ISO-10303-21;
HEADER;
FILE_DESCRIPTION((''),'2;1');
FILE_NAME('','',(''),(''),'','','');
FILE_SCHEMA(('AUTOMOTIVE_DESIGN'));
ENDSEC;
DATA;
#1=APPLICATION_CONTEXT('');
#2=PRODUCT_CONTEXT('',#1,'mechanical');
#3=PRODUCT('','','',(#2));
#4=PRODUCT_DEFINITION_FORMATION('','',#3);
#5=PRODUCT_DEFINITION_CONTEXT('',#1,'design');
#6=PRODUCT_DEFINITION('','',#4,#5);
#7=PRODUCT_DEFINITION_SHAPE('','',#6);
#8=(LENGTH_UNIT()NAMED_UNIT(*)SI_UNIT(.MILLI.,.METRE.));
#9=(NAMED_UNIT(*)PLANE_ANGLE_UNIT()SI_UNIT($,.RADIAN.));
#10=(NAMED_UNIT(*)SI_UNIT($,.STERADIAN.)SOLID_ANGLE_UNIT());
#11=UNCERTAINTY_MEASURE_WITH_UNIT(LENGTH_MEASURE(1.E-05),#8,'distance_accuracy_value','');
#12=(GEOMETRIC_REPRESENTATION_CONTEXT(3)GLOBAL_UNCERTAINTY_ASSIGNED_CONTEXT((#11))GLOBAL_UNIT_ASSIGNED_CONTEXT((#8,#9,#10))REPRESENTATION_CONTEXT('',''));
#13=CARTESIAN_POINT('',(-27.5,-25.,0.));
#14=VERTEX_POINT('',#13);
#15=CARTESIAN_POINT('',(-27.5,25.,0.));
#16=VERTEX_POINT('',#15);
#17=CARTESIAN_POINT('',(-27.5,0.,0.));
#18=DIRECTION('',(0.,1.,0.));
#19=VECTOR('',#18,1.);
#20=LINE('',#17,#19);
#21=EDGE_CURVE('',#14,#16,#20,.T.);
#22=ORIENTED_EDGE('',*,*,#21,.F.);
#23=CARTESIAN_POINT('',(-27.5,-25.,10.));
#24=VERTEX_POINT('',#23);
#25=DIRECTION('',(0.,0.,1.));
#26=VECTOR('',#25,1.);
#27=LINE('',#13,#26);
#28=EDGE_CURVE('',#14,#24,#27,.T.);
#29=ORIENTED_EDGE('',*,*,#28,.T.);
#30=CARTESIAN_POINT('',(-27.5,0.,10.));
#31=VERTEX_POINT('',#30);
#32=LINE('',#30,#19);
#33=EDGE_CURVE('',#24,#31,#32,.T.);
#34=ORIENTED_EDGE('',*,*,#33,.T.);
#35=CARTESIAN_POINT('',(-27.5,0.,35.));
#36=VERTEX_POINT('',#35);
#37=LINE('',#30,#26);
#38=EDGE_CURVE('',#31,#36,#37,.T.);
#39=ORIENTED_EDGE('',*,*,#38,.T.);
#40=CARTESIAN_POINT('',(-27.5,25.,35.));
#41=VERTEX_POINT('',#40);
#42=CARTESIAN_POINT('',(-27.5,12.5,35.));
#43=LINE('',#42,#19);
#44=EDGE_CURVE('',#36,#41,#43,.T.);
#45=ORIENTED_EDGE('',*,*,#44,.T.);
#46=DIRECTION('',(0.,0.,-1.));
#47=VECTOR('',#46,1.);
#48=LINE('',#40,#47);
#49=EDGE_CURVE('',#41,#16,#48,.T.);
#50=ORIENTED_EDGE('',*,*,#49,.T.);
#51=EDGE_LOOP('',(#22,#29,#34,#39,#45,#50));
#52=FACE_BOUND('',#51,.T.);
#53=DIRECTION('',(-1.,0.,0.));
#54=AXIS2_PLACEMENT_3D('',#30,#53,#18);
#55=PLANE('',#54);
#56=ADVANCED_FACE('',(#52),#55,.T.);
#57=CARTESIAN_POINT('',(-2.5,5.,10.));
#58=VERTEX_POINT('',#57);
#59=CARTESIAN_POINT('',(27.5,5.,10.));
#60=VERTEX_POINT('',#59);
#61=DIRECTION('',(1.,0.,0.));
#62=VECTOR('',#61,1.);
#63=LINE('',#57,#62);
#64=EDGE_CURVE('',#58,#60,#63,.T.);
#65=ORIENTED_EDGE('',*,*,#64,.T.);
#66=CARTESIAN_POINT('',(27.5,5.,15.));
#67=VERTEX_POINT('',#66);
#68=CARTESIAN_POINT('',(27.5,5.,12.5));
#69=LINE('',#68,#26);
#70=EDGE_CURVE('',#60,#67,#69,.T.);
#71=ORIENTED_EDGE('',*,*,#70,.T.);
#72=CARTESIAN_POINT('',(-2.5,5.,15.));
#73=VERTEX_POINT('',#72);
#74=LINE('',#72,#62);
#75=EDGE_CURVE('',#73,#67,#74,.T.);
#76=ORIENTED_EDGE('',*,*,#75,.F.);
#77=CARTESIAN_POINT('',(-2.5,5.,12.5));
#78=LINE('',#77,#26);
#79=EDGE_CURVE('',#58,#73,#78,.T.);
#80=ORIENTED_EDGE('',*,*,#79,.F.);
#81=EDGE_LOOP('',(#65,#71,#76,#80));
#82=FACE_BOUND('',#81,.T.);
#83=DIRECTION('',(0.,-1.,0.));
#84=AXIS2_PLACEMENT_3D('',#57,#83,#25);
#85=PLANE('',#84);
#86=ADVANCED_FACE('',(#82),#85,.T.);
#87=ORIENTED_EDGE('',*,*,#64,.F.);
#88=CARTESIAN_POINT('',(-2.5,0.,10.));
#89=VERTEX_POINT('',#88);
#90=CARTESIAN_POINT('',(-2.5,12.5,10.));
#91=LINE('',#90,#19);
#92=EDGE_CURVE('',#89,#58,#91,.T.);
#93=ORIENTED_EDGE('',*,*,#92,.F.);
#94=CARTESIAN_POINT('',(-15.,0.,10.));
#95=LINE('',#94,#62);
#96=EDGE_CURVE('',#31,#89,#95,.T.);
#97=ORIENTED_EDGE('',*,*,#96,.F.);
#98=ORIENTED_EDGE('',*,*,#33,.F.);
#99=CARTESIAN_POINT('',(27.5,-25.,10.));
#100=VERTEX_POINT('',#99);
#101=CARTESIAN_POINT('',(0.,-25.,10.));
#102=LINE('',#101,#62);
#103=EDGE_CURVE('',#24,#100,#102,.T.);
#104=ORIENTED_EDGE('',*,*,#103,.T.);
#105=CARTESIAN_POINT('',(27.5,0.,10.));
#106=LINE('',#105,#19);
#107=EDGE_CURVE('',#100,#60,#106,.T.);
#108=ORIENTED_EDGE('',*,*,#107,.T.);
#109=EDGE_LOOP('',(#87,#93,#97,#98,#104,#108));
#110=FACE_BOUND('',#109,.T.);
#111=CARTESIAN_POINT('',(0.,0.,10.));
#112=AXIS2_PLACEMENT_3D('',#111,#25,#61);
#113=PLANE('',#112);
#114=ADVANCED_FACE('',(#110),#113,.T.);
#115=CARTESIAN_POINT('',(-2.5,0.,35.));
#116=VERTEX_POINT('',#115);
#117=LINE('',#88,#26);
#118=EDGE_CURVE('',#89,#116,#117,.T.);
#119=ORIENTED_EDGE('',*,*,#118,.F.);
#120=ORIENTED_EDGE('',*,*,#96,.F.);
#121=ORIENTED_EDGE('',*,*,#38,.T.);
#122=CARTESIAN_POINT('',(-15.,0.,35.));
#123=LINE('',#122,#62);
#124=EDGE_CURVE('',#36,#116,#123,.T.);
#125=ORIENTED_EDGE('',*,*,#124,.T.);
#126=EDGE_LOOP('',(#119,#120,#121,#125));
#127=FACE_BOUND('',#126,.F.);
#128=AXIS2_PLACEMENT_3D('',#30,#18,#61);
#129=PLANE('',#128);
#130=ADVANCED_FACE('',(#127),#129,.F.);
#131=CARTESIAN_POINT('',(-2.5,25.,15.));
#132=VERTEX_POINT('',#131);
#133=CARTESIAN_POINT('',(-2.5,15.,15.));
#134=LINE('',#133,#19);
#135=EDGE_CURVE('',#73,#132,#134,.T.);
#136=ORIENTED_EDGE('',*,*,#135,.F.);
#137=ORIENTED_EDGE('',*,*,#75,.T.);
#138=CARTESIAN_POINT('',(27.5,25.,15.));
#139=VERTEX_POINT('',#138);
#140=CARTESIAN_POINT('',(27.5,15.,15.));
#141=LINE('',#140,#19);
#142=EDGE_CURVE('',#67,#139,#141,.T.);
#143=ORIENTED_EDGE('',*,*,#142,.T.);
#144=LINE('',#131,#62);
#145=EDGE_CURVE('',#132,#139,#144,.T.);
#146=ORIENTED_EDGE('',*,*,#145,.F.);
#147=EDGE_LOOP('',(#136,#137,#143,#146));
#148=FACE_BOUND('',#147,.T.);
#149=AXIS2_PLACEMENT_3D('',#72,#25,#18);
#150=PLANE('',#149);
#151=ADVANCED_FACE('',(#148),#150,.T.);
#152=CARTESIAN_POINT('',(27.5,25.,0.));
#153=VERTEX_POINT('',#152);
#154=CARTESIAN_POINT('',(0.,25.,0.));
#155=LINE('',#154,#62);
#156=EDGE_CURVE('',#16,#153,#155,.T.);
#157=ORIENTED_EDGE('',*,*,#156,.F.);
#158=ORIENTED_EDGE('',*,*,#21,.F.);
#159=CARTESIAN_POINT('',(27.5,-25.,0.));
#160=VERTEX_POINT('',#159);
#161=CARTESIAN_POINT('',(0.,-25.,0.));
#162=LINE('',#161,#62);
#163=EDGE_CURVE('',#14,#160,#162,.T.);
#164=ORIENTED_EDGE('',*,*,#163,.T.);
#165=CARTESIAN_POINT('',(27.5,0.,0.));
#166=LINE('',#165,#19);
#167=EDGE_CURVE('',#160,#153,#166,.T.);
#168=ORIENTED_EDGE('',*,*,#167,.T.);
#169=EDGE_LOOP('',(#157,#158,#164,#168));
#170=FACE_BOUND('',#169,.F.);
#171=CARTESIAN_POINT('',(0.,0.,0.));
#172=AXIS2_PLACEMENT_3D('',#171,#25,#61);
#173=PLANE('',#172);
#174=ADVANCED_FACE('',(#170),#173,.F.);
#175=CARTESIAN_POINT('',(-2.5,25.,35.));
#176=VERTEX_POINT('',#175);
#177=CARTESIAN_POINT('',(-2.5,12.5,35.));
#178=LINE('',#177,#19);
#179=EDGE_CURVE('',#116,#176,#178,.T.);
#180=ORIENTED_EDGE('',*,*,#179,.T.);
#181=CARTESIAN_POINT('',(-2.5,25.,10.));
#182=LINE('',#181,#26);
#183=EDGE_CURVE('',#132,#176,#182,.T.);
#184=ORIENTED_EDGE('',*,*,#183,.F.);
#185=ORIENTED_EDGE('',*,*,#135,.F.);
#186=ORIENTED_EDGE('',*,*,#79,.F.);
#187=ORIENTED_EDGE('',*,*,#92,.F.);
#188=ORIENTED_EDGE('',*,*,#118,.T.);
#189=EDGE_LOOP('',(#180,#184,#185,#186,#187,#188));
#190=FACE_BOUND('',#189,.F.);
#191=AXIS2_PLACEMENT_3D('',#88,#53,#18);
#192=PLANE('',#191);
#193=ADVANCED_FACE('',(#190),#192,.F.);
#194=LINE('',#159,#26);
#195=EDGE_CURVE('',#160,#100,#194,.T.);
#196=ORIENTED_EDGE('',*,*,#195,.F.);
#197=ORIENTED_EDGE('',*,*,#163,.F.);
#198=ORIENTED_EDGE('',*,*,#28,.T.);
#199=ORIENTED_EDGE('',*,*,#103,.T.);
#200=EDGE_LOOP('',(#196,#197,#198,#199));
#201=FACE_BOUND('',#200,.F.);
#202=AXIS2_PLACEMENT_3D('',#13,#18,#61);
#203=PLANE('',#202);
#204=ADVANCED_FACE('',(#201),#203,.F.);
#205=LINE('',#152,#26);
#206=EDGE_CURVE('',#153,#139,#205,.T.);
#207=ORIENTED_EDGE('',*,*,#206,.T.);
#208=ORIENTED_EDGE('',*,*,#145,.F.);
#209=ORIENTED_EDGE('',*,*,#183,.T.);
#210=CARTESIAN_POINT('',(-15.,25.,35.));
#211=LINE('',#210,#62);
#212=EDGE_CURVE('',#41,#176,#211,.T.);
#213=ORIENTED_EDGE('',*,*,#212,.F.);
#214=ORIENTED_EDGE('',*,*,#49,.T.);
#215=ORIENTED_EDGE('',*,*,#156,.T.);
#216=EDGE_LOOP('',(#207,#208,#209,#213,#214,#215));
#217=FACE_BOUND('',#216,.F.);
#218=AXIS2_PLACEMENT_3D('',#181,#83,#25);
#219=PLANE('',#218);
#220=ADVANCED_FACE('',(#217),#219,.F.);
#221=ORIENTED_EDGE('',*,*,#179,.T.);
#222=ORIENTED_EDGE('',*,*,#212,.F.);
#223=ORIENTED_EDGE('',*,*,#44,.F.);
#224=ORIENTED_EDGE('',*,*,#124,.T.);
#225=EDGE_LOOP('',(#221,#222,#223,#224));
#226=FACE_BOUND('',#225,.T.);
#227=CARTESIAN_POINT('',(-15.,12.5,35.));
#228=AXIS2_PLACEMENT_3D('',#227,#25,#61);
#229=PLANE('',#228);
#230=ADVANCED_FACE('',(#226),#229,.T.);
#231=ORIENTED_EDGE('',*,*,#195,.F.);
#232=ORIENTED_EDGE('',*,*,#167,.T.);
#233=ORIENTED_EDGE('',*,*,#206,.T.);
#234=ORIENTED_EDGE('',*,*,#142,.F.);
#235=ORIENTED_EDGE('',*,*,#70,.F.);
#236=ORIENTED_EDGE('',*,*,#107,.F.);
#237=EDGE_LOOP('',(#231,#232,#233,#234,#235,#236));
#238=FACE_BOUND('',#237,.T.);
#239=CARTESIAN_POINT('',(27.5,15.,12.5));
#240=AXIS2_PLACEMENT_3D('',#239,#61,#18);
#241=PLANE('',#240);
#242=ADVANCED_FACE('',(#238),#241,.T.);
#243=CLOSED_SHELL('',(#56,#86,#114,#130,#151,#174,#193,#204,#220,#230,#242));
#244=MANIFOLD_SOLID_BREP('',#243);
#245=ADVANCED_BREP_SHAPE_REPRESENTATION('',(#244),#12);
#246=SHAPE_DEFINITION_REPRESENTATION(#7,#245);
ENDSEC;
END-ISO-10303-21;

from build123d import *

# Parameters (mm, degrees)
F0_W     = 55
F0_H     = 50
F1_DEPTH = 10
F2_W     = 25
F2_H     = 25
F3_DEPTH = 25
F4_W     = 20
F4_H     = 5
F5_DEPTH = 30


with BuildPart() as f1:
    # F0 (on Top) → F1 (new body)
    with BuildSketch(Plane.XY):
        Rectangle(F0_W, F0_H)
    extrude(amount=F1_DEPTH)

    # F2 (on face) → F3 (join)
    with BuildSketch(Plane.XY.offset(10)):
        with Locations((-15, 12.5)):
            Rectangle(F2_W, F2_H)
    extrude(amount=F3_DEPTH)

    # F4 (on face) → F5 (join, through all)
    with BuildSketch(Plane.YZ.offset(-2.5)):
        with Locations((15, 12.5)):
            Rectangle(F4_W, F4_H)
    extrude(amount=F5_DEPTH)


solid = f1.part
